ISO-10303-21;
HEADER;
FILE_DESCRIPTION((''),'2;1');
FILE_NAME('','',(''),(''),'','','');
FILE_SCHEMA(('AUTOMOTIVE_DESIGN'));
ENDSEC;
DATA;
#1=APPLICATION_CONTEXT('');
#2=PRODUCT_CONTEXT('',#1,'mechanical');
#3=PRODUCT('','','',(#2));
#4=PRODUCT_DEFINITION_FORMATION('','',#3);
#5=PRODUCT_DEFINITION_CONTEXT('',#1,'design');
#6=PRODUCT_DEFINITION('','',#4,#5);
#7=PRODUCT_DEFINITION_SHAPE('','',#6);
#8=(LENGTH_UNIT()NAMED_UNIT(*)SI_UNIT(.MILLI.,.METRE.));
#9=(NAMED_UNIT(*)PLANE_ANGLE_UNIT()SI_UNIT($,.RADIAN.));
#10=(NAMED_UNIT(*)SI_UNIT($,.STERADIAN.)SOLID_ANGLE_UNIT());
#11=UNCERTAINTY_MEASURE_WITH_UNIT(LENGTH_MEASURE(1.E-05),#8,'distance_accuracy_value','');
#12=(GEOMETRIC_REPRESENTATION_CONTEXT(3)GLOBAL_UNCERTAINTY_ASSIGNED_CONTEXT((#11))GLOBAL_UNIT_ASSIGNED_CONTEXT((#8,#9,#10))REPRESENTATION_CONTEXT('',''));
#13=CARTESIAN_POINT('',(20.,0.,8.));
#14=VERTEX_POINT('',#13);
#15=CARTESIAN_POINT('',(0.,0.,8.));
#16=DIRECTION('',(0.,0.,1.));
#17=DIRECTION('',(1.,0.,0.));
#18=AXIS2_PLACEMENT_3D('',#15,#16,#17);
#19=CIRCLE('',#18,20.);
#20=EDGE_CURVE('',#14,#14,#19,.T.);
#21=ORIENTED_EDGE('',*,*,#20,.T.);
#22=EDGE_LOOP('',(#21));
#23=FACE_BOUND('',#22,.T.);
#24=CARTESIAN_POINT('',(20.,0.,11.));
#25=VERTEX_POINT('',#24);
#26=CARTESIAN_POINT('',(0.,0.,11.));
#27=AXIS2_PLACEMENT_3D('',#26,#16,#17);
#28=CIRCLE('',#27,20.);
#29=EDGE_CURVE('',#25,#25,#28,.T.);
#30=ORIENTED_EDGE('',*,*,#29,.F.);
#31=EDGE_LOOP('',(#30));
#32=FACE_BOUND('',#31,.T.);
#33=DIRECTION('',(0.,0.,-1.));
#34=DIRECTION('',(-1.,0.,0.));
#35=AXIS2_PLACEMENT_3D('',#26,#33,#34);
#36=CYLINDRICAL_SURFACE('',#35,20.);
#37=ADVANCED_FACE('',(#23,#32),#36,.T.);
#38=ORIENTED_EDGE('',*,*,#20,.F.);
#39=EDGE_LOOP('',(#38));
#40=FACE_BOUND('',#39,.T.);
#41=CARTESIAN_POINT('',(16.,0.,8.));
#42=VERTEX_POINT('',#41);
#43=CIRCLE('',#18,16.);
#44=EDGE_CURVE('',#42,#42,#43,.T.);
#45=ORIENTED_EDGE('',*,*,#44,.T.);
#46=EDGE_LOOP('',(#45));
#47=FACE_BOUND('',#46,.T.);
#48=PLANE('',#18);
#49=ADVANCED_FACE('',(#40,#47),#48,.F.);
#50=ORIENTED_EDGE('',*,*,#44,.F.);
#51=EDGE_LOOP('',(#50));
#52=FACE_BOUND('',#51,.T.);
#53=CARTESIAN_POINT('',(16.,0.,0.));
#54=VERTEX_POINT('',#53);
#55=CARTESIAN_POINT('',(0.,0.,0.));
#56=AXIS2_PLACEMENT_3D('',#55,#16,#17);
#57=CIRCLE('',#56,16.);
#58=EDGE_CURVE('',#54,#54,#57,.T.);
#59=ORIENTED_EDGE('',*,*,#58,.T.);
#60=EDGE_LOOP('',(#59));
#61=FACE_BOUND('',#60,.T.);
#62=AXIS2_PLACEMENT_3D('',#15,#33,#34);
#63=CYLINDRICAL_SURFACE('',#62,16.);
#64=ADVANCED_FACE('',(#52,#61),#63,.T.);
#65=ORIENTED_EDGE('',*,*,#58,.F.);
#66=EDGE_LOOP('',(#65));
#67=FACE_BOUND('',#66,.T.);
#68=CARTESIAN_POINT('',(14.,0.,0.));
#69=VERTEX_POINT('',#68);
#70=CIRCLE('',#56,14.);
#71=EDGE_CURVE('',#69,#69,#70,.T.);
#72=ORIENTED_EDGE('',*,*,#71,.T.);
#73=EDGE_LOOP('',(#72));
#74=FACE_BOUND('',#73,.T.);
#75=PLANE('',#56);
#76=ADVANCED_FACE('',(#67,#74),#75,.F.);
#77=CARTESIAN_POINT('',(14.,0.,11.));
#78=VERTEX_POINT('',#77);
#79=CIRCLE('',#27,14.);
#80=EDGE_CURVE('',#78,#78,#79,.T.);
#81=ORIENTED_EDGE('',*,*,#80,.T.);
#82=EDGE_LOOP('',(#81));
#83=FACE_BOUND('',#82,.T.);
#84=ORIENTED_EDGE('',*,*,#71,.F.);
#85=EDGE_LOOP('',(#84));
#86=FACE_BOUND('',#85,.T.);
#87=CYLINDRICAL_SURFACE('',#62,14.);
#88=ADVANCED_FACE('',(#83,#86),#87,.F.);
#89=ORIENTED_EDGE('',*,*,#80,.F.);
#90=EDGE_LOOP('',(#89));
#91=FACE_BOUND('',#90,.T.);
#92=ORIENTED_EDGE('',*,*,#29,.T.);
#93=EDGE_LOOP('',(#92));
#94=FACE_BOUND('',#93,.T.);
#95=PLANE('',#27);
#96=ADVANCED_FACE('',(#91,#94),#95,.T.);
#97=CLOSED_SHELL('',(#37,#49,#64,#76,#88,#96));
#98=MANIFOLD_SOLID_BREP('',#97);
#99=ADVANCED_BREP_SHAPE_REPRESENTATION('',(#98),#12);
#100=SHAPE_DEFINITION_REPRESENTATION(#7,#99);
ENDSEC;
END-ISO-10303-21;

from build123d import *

# Parameters (mm, degrees)
SKETCH_1_R      = 16
SKETCH_1_R_2    = 14
EXTRUDE_1_DEPTH = 8
SKETCH_2_R      = 20
SKETCH_2_R_2    = 14
EXTRUDE_2_DEPTH = 3


with BuildPart() as part:
    # 草图1 → 凸台-拉伸1 (new body)
    with BuildSketch(Plane.XY):
        Circle(SKETCH_1_R)
        Circle(SKETCH_1_R_2, mode=Mode.SUBTRACT)
    extrude(amount=EXTRUDE_1_DEPTH)

    # 草图2 → 凸台-拉伸2 (add)
    with BuildSketch(Plane.XY.offset(8)):
        Circle(SKETCH_2_R)
        Circle(SKETCH_2_R_2, mode=Mode.SUBTRACT)
    extrude(amount=EXTRUDE_2_DEPTH)


solid = part.part
